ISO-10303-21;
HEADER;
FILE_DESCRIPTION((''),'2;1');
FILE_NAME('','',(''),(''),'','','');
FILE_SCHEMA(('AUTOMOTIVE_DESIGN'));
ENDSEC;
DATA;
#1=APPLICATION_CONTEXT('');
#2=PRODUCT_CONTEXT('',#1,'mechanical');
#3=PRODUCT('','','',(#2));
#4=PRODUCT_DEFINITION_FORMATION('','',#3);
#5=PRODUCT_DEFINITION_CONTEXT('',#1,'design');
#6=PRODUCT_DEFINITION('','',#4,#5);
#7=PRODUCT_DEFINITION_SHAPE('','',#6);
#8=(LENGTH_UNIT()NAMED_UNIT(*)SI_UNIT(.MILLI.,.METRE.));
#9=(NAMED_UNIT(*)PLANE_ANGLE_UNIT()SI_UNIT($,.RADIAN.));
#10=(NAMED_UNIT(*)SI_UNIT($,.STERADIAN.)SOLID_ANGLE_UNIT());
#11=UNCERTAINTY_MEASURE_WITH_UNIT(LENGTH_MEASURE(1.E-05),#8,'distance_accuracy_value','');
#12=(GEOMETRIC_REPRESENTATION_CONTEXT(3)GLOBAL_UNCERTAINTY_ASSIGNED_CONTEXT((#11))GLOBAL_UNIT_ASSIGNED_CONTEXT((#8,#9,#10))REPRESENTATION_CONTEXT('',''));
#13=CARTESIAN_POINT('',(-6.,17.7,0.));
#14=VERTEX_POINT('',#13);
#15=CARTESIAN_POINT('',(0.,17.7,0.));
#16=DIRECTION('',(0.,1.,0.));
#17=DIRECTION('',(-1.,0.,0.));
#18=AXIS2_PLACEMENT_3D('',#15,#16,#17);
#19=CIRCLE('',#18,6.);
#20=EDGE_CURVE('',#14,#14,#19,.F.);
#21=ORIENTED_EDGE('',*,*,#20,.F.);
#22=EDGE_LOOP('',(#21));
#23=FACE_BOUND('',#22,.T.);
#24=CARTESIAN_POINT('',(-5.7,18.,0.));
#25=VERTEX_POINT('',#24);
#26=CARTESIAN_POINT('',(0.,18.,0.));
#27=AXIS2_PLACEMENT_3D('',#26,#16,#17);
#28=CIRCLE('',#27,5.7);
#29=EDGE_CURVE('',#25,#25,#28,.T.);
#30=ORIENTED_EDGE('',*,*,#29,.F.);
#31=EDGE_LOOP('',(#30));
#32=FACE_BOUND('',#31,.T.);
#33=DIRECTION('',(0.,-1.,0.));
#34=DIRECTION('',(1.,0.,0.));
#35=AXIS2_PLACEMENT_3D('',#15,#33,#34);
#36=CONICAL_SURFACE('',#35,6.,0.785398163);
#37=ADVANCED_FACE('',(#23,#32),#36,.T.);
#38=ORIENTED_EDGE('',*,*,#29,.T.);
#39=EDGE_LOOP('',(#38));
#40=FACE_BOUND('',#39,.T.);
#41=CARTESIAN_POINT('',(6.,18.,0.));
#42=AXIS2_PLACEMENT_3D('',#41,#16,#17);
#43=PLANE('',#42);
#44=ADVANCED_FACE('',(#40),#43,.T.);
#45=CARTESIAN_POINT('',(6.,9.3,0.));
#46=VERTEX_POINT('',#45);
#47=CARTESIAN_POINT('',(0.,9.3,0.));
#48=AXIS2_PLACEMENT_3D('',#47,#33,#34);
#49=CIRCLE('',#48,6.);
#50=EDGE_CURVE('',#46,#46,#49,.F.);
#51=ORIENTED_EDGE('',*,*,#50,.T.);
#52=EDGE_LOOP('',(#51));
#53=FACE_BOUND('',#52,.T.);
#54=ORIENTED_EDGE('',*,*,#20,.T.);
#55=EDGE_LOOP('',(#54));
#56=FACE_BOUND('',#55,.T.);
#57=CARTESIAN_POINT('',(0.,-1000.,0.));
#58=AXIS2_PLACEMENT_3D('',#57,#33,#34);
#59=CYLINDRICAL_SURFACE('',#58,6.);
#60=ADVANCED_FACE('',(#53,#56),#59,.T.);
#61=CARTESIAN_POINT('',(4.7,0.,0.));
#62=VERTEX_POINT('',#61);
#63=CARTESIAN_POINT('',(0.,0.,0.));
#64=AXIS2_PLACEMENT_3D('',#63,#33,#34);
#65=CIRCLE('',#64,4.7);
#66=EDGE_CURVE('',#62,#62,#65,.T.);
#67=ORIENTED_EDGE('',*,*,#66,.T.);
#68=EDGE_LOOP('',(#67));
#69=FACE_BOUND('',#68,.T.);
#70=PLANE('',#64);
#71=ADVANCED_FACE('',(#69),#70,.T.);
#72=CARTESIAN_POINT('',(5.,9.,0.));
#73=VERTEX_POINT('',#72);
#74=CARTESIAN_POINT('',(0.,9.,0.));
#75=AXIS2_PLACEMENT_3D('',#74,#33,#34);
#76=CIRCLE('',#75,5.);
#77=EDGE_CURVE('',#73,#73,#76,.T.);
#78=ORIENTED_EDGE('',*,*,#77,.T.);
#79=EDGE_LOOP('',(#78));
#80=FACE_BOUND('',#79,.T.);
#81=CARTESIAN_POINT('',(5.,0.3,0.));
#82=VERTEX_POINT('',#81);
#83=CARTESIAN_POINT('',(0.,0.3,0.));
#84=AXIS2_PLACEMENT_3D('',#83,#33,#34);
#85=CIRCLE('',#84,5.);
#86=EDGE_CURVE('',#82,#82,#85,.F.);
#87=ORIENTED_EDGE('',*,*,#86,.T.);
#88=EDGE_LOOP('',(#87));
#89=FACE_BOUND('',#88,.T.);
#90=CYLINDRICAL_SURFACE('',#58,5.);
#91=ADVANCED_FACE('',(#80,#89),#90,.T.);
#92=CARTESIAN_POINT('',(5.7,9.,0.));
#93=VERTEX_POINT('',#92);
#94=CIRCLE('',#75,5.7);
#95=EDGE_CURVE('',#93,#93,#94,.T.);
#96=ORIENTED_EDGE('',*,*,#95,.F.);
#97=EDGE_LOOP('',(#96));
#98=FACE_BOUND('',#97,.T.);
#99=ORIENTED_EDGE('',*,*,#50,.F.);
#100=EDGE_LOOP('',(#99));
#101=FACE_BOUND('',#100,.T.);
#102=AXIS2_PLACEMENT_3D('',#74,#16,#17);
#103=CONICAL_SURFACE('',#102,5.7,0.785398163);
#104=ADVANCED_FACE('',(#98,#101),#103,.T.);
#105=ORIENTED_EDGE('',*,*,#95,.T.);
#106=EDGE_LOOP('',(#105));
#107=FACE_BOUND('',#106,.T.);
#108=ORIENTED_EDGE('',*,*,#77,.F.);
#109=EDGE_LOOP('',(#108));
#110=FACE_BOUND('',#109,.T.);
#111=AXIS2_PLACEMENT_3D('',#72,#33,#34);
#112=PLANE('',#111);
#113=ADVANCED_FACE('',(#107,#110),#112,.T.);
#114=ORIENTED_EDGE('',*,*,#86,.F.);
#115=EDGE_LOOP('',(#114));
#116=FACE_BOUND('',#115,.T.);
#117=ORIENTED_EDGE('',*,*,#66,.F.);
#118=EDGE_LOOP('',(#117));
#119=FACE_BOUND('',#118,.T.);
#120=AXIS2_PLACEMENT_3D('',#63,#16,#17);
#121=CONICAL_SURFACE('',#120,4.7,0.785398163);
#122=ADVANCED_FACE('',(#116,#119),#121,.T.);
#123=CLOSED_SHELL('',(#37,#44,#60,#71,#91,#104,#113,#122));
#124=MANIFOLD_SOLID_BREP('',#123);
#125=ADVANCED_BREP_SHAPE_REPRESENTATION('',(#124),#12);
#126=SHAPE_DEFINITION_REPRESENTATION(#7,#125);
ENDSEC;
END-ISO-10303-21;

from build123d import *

# Parameters (mm, degrees)
CHAMFER_1_SIZE = 0.3


with BuildPart() as part:
    # 草图1 → 旋转1 (revolve)
    with BuildSketch(Plane.XY):
        Polygon((0, 0), (5, 0), (5, 9), (6, 9), (6, 18), (0, 18), align=None)
    revolve(axis=Axis((0, -1000, 0), (0, 1, 0)))

    # 倒角1
    chamfer_1_edges = [part.edges().sort_by_distance(p)[0] for p in [
        (-6, 18, 0),
        (-6, 9, 0),
        (-5, 0, 0),
    ]]
    chamfer(chamfer_1_edges, length=CHAMFER_1_SIZE)


solid = part.part
